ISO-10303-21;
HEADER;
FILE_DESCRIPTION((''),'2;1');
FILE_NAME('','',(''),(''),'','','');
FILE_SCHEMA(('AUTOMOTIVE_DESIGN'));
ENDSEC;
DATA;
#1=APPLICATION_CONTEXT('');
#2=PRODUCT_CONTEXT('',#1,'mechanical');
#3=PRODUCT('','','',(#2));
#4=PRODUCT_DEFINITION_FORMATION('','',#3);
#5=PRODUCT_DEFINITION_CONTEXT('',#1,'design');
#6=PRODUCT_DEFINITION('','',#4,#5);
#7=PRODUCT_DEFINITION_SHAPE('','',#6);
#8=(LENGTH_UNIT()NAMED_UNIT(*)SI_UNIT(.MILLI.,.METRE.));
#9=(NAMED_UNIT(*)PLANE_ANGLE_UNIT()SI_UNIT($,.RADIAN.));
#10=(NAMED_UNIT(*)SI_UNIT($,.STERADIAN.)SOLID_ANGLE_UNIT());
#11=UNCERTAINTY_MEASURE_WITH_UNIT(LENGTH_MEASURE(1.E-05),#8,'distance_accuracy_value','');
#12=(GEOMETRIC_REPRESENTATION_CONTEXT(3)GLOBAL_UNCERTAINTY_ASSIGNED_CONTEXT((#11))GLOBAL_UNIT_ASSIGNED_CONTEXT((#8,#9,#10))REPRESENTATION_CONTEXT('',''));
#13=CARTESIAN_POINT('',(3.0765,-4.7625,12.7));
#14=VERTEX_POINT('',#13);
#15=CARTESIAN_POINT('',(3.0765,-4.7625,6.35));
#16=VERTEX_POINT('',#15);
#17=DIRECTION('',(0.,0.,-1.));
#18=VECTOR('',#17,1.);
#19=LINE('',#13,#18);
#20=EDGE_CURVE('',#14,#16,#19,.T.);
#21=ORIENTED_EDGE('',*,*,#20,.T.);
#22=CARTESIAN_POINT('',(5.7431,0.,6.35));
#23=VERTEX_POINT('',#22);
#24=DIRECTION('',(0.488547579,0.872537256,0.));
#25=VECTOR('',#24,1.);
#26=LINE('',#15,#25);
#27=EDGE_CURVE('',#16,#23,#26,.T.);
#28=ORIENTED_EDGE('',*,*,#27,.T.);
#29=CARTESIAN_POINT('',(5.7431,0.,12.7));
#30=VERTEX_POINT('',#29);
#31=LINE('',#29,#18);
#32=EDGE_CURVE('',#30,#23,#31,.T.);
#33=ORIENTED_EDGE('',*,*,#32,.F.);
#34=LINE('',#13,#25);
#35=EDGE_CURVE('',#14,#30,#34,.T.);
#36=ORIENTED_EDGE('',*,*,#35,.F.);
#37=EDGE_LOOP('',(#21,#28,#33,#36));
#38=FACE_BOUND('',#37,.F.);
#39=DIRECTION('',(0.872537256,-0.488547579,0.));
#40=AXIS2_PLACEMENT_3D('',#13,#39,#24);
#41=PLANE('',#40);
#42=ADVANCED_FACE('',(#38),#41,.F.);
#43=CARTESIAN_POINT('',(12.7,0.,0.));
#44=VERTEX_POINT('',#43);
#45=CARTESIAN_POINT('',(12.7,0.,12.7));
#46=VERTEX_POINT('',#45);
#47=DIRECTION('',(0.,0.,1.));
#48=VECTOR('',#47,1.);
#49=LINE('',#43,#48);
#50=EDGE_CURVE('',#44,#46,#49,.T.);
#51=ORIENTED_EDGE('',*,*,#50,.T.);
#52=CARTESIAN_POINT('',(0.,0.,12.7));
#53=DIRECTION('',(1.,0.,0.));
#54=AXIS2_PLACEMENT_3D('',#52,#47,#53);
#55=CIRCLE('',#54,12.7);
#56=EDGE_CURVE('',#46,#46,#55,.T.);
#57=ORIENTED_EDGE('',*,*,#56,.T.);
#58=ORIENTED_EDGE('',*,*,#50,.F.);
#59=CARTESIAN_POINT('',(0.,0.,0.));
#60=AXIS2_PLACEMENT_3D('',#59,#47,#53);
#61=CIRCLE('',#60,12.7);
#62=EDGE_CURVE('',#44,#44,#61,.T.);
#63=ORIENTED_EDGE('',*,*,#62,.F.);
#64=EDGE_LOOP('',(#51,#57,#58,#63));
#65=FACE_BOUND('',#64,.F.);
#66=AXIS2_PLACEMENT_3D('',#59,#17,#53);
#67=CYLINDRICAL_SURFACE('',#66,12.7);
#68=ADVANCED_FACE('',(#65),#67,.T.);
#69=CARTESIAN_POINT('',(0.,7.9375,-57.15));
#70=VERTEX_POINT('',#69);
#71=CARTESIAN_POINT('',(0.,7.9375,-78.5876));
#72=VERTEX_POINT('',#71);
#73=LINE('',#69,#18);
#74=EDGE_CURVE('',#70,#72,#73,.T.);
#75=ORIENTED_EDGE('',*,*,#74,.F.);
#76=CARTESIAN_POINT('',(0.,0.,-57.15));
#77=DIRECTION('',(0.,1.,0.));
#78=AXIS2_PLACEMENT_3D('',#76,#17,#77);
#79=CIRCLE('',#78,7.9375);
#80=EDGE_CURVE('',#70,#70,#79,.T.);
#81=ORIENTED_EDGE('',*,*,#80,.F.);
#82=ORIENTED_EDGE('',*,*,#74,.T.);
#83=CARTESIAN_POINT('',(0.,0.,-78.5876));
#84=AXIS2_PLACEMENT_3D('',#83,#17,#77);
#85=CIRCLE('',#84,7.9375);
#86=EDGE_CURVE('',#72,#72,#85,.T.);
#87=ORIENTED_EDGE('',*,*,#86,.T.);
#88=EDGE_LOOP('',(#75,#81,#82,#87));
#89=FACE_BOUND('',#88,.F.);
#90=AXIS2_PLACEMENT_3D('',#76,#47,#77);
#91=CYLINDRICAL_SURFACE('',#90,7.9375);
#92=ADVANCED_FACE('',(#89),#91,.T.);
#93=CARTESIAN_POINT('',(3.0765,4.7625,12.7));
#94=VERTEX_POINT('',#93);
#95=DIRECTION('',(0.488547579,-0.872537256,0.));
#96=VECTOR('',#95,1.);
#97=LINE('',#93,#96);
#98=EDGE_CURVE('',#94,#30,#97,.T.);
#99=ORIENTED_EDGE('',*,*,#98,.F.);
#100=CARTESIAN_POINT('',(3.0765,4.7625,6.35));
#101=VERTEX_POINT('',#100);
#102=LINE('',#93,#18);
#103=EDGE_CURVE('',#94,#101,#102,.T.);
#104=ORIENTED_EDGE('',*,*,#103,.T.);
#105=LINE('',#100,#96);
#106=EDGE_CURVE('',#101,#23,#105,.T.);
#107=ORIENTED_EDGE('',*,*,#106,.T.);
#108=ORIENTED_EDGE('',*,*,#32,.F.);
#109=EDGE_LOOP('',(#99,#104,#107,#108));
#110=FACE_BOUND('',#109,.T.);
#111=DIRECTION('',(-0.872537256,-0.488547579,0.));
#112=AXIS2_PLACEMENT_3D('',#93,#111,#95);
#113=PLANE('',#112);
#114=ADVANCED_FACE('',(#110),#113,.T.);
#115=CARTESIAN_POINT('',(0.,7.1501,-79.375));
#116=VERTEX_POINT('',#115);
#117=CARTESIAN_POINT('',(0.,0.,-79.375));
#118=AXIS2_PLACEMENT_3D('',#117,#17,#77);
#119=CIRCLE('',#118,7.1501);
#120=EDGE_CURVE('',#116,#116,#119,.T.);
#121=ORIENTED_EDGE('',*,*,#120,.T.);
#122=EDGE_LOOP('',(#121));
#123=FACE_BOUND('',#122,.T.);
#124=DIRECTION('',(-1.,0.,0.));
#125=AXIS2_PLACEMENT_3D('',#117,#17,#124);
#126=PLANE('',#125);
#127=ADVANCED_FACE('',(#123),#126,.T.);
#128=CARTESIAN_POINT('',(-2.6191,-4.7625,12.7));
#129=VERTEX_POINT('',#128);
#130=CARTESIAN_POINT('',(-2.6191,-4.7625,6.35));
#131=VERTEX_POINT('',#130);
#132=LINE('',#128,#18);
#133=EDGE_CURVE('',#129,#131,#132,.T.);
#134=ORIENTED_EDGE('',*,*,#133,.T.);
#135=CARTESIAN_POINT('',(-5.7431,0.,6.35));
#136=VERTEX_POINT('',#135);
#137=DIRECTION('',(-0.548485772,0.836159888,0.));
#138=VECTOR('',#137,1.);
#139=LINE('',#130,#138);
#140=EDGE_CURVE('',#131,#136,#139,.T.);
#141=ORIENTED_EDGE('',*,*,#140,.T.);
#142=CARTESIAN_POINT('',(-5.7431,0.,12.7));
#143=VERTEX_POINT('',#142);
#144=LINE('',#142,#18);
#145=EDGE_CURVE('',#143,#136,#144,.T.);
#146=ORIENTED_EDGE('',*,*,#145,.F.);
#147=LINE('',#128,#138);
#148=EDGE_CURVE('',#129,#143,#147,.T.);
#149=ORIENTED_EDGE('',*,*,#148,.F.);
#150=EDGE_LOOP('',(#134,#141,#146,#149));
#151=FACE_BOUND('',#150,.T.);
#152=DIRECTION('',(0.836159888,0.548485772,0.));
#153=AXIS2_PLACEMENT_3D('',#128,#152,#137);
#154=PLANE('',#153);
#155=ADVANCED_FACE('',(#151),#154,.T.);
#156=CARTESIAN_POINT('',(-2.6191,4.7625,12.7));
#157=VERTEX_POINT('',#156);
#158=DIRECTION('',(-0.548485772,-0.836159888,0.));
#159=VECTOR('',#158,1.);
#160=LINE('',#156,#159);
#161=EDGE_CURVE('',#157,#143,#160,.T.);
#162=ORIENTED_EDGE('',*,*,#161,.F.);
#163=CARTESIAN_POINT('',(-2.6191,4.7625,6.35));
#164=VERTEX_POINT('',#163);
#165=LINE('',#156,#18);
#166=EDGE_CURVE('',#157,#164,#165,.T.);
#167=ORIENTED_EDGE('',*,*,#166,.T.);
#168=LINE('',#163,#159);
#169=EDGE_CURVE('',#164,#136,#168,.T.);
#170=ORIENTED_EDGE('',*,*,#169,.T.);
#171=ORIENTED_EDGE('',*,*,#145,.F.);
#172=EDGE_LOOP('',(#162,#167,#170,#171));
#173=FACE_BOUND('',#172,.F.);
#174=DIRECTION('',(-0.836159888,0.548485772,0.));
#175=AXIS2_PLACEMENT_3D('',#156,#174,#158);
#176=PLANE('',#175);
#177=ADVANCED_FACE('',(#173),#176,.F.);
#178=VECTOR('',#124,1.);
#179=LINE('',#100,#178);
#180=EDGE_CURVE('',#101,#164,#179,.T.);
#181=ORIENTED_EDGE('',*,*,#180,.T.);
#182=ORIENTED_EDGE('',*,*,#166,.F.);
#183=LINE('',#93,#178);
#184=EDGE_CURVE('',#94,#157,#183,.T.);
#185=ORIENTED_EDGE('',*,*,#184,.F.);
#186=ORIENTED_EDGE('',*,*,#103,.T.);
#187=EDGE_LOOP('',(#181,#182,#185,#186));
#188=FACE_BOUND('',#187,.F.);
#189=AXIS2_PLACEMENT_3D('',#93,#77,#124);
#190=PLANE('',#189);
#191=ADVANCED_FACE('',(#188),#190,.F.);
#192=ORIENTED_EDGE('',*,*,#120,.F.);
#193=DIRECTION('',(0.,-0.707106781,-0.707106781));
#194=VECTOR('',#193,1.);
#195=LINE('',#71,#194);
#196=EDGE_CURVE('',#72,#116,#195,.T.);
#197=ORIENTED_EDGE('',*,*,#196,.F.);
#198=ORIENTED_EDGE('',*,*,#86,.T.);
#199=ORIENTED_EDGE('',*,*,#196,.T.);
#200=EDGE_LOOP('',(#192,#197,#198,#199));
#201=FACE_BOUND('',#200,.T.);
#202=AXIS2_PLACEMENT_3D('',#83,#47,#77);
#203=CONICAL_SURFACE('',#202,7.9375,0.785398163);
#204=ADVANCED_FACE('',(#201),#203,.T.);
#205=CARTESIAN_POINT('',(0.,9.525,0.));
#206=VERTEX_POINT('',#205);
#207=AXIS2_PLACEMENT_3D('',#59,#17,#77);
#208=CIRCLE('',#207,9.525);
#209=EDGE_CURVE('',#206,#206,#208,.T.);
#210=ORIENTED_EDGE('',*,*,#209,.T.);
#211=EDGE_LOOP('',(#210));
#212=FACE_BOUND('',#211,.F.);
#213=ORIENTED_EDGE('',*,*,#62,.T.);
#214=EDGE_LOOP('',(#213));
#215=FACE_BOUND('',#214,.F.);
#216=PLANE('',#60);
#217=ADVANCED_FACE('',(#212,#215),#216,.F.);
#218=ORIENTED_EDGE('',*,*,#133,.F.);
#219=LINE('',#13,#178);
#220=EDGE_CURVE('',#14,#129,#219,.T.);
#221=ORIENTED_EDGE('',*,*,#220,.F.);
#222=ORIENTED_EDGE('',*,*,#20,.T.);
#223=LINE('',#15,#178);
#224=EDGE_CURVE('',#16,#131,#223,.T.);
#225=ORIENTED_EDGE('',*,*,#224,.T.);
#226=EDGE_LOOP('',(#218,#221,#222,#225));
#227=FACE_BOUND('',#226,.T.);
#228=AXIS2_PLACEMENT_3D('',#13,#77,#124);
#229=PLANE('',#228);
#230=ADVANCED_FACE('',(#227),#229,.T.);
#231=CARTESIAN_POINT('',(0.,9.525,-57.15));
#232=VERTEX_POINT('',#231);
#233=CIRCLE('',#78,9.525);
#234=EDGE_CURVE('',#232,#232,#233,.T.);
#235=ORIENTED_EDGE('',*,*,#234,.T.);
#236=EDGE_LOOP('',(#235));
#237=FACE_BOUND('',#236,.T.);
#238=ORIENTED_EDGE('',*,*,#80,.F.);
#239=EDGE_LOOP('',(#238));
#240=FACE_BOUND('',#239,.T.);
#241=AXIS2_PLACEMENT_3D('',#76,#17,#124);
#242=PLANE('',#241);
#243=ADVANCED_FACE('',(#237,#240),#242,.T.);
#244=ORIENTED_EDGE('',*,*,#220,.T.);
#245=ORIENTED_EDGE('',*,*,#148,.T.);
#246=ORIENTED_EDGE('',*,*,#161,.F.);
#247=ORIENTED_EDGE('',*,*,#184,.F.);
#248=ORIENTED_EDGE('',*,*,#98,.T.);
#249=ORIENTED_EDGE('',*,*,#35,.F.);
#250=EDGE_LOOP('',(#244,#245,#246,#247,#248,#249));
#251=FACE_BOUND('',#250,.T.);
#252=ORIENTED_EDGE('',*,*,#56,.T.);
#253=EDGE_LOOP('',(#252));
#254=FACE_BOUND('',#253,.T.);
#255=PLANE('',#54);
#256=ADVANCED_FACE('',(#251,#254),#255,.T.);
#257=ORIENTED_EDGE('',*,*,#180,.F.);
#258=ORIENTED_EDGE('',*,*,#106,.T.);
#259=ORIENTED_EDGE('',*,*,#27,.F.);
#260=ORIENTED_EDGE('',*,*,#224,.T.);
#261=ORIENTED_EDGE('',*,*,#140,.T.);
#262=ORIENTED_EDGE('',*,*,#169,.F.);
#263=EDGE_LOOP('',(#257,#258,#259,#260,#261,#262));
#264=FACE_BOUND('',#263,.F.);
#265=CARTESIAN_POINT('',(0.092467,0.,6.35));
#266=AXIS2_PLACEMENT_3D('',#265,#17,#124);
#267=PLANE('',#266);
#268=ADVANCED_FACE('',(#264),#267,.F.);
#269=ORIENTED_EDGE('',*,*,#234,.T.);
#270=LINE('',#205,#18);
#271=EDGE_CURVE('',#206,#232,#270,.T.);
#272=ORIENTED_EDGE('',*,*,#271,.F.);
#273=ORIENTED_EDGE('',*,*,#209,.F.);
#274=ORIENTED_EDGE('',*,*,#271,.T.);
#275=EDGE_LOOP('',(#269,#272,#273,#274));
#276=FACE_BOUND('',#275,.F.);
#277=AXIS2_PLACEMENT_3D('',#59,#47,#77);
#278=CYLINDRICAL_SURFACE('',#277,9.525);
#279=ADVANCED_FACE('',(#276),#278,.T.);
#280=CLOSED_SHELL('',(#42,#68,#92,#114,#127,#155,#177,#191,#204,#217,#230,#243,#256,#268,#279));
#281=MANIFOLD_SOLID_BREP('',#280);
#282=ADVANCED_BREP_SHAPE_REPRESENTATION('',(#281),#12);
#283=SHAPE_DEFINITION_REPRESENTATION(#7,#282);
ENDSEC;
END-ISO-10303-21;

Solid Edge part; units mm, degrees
sketch "Sketch1" plane through (0, 0, 0) normal (0, 0, 1) x (1, 0, 0)
  circle A0 centre (0, 0) radius 12.7
  dimension "D1" = 25.4
extrude "Protrusion1" add sketch "Sketch1" along normal blind 12.7
sketch "Sketch2" plane through (0, 0, 0) normal (0, 0, -1) x (0, 1, 0)
  circle A0 centre (0, 0) radius 9.525
  dimension "D1" = 19.05
extrude "Protrusion2" add sketch "Sketch2" along normal blind 57.15
sketch "Sketch3" plane through (0, 0, -57.15) normal (0, 0, -1) x (0, 1, 0)
  circle A0 centre (0, 0) radius 7.9375
  dimension "D1" = 15.875
extrude "Protrusion3" add sketch "Sketch3" along normal blind 22.225
sketch "Sketch4" plane through (0, 0, 12.7) normal (0, 0, 1) x (0, 1, 0)
  line L0 (-4.7625, 2.6191) -> (0, 5.7431)
  line L1 (-4.7625, -3.0765) -> (-4.7625, 2.6191)
  line L2 (-4.7625, -3.0765) -> (0, -5.7431)
  line L3 (4.7625, -3.0765) -> (0, -5.7431)
  line L4 (4.7625, -3.0765) -> (4.7625, 2.6191)
  line L5 (4.7625, 2.6191) -> (0, 5.7431)
  dimension "D1" = 9.525
extrude "Cutout1" cut sketch "Sketch4" against normal blind 6.35
chamfer "Chamfer1" distance 0.7874 angle 45 1 edges at (0, -7.9375, -79.375)
properties part number "55030052"
